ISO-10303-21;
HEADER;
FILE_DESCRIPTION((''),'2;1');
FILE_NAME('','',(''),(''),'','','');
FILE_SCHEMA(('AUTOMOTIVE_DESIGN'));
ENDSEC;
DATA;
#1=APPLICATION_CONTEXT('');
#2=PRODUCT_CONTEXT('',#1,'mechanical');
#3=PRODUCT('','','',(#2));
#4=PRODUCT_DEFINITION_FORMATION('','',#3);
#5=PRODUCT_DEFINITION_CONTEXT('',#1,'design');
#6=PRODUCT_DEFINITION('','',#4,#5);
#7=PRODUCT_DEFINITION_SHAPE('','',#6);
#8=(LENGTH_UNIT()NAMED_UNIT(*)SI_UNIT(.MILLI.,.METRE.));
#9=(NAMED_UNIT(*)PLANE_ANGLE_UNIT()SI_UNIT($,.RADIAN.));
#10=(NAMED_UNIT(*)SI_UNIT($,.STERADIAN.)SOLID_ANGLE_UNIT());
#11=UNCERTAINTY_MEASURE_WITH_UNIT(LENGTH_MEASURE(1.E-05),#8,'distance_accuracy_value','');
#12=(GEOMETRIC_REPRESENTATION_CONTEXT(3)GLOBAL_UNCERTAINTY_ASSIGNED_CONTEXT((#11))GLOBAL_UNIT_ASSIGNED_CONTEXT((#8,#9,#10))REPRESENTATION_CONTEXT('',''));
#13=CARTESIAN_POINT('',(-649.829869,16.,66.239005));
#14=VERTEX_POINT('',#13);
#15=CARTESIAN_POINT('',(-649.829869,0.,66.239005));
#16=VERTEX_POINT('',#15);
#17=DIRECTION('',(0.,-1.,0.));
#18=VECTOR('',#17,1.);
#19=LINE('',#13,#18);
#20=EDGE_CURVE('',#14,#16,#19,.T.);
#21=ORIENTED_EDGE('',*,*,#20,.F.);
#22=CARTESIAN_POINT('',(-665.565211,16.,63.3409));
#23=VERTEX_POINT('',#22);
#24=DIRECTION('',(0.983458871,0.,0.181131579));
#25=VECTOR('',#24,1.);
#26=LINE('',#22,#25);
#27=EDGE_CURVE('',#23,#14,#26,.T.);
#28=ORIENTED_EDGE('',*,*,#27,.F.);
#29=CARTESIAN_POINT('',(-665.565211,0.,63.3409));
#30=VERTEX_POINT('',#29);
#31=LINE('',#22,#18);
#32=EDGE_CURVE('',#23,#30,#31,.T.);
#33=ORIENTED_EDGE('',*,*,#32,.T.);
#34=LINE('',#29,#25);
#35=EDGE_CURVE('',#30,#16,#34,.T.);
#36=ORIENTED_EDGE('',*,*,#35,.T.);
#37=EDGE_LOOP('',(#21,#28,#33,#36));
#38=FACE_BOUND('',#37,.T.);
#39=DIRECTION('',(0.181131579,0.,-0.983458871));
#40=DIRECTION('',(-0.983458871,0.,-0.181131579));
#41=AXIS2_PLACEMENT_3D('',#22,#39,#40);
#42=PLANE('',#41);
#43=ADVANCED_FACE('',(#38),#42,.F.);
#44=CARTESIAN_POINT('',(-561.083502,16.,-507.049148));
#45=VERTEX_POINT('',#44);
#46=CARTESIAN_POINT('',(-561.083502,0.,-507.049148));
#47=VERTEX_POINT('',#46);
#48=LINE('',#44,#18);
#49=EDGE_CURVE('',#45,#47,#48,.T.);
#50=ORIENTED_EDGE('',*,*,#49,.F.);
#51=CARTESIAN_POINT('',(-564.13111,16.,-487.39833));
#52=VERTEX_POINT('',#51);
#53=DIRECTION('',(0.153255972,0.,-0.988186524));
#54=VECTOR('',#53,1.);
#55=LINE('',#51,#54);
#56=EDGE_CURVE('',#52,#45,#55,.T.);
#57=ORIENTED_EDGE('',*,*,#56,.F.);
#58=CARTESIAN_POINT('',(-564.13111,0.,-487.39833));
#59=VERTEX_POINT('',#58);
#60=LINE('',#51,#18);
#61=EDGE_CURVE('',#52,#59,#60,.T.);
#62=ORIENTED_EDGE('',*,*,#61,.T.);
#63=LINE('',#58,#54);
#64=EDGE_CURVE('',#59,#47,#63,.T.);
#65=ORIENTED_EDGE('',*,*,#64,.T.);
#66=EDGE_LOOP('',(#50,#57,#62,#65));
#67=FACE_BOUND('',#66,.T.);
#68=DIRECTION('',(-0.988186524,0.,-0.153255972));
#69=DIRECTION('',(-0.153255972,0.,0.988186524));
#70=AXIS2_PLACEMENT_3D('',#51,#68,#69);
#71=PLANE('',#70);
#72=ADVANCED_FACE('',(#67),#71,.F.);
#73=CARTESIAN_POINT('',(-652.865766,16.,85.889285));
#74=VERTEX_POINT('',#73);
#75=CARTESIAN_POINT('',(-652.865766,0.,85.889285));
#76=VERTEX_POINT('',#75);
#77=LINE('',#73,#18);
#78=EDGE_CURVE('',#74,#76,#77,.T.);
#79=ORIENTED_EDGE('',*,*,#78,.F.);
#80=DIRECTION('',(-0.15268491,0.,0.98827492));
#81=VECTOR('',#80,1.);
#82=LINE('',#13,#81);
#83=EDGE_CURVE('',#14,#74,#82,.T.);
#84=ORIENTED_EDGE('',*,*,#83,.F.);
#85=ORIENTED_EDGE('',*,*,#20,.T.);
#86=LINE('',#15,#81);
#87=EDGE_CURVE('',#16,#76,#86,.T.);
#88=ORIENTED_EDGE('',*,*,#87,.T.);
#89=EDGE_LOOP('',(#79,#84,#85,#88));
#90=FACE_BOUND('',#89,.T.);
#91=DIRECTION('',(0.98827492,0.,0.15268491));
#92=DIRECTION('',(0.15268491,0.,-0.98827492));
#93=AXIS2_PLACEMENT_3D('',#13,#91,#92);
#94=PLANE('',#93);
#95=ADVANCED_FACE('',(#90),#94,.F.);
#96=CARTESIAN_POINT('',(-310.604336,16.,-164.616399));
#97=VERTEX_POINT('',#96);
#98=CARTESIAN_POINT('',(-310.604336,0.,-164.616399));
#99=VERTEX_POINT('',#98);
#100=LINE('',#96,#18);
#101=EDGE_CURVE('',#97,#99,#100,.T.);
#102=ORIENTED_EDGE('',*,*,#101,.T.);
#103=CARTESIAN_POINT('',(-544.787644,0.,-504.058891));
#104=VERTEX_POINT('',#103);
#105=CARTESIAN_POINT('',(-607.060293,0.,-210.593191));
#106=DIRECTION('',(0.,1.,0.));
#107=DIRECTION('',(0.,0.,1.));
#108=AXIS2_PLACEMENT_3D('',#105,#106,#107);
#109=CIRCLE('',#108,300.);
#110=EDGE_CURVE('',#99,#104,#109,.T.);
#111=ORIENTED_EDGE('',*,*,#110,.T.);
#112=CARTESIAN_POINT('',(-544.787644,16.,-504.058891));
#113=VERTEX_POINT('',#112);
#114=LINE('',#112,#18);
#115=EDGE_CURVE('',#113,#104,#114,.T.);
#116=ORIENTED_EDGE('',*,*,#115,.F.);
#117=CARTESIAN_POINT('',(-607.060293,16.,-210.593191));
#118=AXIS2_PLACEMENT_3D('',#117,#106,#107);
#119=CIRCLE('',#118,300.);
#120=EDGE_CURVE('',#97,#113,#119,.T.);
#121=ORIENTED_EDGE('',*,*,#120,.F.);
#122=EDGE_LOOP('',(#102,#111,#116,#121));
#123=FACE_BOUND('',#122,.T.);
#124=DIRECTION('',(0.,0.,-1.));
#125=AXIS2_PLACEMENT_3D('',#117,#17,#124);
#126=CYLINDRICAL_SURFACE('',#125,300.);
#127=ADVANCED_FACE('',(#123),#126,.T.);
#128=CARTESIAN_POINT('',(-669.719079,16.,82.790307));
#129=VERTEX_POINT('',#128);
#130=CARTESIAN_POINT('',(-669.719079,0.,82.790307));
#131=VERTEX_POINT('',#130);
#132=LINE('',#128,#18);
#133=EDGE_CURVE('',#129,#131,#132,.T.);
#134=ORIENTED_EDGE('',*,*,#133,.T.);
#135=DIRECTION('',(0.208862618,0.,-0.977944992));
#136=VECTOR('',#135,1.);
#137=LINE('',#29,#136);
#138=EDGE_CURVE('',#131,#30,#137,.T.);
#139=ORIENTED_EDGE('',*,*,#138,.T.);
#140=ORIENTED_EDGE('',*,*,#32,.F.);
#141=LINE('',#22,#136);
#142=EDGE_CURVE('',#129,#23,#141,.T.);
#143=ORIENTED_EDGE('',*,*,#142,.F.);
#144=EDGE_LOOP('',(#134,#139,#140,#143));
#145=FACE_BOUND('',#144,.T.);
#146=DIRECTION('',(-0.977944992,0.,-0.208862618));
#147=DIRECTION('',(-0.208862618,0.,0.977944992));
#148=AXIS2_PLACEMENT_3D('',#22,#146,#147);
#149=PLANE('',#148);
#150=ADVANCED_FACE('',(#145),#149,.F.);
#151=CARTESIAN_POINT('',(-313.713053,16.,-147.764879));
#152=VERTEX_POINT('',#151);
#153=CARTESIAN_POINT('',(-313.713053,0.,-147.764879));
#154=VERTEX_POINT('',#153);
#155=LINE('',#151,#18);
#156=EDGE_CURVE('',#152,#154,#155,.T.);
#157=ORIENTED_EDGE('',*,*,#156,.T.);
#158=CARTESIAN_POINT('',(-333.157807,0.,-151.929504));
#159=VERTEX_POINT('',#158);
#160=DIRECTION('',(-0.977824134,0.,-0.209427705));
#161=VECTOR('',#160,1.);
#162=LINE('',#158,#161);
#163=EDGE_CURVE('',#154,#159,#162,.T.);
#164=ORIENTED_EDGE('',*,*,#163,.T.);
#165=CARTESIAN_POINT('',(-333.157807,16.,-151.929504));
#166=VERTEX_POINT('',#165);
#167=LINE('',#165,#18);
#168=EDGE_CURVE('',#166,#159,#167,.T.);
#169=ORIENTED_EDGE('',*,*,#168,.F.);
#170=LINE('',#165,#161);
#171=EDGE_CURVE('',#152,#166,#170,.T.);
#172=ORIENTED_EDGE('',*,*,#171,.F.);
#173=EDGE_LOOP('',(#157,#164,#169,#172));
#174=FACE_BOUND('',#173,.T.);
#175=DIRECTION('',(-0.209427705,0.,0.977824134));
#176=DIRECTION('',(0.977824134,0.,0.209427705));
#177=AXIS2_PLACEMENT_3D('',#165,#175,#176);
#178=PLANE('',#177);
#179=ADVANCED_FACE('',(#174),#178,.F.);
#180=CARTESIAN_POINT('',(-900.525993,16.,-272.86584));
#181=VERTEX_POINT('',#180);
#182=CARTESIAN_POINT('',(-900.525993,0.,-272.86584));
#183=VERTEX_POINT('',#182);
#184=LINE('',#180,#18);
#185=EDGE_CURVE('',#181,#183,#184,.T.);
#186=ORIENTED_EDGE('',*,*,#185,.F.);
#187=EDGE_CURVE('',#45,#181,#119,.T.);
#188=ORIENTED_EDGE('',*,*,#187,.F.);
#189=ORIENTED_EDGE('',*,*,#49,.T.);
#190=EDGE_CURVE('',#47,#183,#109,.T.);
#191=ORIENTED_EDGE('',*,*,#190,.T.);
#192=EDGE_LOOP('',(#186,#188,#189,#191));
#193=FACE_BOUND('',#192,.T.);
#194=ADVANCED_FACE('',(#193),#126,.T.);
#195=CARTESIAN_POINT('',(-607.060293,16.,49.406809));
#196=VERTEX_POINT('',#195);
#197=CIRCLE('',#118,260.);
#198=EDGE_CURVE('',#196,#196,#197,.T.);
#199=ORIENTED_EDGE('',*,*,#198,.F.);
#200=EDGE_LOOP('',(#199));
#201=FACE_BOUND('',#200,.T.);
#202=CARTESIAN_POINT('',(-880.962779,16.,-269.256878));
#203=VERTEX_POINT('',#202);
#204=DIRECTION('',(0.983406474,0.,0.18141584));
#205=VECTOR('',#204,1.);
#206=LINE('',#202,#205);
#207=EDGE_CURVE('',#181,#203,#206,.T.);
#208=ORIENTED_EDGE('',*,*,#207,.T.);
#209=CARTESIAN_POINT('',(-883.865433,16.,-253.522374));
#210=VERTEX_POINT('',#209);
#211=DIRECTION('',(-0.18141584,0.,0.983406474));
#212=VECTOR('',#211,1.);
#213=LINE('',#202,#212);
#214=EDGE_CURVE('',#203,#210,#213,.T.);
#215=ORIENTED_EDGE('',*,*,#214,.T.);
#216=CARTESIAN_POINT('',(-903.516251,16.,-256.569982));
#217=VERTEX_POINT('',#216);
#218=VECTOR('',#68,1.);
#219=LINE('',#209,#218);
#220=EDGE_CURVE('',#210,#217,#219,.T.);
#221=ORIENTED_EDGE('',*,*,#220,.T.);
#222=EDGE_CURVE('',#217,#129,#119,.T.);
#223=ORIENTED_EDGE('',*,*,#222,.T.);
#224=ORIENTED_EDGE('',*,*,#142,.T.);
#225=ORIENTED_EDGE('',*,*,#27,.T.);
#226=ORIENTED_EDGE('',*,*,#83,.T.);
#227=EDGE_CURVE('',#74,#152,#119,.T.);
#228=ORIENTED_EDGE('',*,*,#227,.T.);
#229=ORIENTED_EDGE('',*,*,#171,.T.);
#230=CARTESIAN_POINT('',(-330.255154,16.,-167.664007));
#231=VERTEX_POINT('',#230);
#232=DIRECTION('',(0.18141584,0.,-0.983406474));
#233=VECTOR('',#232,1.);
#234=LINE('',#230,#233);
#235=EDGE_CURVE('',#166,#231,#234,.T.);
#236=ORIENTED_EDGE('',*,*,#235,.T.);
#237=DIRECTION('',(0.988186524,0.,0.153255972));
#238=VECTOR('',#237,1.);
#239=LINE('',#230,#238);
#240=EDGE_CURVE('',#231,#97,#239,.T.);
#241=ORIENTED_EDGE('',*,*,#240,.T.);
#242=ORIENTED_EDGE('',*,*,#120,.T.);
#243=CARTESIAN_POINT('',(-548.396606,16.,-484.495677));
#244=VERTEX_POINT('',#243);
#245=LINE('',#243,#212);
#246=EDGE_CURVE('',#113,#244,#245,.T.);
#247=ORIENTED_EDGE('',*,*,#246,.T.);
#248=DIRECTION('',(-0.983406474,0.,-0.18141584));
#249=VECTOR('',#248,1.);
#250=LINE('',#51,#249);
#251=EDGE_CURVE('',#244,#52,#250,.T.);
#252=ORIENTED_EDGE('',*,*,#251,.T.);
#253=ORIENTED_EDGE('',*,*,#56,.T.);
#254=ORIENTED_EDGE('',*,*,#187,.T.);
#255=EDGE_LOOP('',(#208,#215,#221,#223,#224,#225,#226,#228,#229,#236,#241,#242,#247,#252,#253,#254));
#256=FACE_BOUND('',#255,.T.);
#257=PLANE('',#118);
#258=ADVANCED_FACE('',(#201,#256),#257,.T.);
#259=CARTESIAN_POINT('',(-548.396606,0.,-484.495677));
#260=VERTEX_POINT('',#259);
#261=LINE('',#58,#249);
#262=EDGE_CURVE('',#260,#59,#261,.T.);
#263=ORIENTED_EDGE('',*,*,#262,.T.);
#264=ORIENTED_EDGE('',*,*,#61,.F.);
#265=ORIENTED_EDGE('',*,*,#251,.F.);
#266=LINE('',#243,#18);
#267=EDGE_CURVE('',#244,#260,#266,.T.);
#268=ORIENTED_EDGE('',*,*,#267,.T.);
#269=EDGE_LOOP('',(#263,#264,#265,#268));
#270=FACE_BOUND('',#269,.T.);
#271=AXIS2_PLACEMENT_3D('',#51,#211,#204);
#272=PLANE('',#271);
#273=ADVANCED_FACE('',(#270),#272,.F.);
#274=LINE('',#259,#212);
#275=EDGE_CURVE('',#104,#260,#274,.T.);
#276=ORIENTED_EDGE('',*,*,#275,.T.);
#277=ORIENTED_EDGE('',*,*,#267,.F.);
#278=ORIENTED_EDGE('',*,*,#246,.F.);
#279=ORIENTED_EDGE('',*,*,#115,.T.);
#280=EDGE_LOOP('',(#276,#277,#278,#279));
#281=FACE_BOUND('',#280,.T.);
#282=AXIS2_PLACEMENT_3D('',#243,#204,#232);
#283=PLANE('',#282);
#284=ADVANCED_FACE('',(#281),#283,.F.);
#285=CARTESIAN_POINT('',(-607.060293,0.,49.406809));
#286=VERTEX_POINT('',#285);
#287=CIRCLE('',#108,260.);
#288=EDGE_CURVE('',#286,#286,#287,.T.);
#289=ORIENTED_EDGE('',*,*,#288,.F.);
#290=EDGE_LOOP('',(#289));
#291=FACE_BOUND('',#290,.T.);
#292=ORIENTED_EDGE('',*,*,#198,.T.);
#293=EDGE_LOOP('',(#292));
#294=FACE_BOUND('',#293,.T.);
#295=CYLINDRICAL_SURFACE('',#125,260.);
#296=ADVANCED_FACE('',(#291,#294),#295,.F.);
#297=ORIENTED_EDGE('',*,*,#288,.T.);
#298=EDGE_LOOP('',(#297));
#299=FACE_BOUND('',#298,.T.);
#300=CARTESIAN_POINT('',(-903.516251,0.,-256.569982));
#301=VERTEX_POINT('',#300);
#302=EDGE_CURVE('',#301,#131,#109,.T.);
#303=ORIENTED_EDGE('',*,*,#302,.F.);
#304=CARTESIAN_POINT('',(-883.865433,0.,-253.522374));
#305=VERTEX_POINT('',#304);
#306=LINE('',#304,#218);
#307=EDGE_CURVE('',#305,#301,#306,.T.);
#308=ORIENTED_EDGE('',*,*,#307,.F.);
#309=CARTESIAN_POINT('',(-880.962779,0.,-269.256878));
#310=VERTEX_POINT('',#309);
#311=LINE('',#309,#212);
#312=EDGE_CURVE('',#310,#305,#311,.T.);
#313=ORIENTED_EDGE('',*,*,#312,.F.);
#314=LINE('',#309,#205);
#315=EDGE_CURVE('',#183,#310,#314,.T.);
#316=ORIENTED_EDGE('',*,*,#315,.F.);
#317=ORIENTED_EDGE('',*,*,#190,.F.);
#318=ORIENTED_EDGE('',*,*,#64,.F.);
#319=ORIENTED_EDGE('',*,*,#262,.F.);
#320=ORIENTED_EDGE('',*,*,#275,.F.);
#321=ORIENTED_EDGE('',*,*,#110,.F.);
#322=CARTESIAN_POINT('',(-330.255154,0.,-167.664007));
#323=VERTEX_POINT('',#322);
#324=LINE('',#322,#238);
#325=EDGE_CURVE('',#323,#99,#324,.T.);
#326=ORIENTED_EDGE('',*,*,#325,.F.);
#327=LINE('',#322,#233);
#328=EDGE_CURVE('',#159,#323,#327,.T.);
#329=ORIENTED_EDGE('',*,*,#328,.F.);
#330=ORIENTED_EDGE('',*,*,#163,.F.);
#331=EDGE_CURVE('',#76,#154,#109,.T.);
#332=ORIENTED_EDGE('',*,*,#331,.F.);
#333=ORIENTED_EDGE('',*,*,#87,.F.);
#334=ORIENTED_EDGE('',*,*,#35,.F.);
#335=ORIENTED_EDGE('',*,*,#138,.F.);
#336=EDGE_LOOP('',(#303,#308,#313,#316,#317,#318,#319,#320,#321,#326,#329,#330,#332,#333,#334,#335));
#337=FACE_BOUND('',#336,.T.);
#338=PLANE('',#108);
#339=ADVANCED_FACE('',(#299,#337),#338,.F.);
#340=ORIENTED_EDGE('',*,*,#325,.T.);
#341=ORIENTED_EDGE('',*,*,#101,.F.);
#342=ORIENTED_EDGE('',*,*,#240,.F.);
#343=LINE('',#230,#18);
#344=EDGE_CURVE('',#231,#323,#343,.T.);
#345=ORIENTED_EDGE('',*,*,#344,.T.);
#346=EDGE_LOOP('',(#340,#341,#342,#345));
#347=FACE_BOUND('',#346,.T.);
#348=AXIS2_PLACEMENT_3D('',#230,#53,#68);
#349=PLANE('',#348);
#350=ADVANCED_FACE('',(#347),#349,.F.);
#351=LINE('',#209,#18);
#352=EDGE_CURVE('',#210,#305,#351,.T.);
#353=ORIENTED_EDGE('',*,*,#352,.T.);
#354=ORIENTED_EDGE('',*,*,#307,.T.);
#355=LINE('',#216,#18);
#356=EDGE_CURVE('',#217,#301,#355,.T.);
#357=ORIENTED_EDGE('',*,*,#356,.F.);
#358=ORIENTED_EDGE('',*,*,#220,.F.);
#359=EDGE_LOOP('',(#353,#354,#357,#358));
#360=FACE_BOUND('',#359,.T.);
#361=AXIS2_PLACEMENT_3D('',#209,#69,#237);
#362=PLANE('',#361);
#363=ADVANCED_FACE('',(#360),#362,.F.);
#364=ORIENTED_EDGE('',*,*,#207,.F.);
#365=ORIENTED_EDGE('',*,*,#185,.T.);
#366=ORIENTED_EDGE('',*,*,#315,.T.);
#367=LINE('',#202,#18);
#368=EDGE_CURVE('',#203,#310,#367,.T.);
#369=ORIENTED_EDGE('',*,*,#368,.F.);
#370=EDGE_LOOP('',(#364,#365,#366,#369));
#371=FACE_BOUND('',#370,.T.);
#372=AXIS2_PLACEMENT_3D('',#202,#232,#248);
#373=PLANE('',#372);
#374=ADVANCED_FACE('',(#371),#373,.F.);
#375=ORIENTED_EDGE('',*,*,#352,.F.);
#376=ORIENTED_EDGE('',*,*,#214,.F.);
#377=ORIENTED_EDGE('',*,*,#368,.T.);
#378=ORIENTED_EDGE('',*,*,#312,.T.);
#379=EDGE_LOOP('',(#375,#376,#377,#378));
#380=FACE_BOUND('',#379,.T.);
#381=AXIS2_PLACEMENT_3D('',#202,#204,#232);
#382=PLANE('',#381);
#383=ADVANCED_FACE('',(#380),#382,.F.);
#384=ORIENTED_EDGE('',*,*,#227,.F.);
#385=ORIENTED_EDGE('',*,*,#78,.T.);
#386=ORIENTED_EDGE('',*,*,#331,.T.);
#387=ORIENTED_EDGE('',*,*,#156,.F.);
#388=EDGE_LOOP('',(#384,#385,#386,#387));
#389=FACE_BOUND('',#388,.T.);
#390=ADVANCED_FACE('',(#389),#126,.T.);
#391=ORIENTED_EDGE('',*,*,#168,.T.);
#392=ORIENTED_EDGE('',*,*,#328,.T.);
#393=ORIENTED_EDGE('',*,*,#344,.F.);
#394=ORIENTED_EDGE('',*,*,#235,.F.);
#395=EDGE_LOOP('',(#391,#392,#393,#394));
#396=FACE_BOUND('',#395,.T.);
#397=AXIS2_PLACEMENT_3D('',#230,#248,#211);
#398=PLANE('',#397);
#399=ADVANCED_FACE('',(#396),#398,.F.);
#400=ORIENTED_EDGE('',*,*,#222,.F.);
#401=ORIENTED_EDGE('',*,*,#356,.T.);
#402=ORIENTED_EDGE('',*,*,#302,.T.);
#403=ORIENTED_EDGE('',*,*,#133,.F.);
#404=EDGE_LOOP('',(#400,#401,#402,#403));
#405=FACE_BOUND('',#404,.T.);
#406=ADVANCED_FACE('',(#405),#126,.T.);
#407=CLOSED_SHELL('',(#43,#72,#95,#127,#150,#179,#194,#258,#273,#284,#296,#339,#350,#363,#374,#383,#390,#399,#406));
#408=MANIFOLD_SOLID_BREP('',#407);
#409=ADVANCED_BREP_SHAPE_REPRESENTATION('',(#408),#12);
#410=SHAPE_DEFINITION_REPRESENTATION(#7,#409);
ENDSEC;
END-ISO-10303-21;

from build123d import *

# Parameters (mm, degrees)
SKETCH_1_R      = 260
EXTRUDE_3_DEPTH = 16


with BuildPart() as part:
    # Эскиз1 → Бобышка-Вытянуть3 (new body)
    with BuildSketch(Plane(origin=(0, 0, 0), x_dir=(1, 0, 0), z_dir=(0, 1, 0))):
        with BuildLine():
            Line((-564.131109826, 487.398330281), (-548.396606244, 484.495676837))
            Line((-548.396606244, 484.495676837), (-544.787643902, 504.058890969))
            ThreePointArc((-544.787643902, 504.058890969), (-360.125373537, 380.954998191), (-310.604335978, 164.61639934))
            Line((-310.604335978, 164.61639934), (-330.255153903, 167.66400738))
            Line((-330.255153903, 167.66400738), (-333.157807348, 151.929503798))
            Line((-333.157807348, 151.929503798), (-313.713053206, 147.764879413))
            ThreePointArc((-313.713053206, 147.764879413), (-436.861002003, -36.453770733), (-652.865766443, -85.889285226))
            Line((-652.865766443, -85.889285226), (-649.829869088, -66.239005386))
            Line((-649.829869088, -66.239005386), (-665.565211025, -63.340900125))
            Line((-665.565211025, -63.340900125), (-669.719078569, -82.790306674))
            ThreePointArc((-669.719078569, -82.790306674), (-854.107254512, 40.393898968), (-903.516250652, 256.569982398))
            Line((-903.516250652, 256.569982398), (-883.865432727, 253.522374358))
            Line((-883.865432727, 253.522374358), (-880.962779283, 269.256877941))
            Line((-880.962779283, 269.256877941), (-900.525993415, 272.865840282))
            ThreePointArc((-900.525993415, 272.865840282), (-777.422100637, 457.528110648), (-561.083501786, 507.049148206))
            Line((-561.083501786, 507.049148206), (-564.131109826, 487.398330281))
        make_face()
        with Locations((-607.060293315, 210.593190869)):
            Circle(SKETCH_1_R, mode=Mode.SUBTRACT)
    extrude(amount=EXTRUDE_3_DEPTH)


solid = part.part
